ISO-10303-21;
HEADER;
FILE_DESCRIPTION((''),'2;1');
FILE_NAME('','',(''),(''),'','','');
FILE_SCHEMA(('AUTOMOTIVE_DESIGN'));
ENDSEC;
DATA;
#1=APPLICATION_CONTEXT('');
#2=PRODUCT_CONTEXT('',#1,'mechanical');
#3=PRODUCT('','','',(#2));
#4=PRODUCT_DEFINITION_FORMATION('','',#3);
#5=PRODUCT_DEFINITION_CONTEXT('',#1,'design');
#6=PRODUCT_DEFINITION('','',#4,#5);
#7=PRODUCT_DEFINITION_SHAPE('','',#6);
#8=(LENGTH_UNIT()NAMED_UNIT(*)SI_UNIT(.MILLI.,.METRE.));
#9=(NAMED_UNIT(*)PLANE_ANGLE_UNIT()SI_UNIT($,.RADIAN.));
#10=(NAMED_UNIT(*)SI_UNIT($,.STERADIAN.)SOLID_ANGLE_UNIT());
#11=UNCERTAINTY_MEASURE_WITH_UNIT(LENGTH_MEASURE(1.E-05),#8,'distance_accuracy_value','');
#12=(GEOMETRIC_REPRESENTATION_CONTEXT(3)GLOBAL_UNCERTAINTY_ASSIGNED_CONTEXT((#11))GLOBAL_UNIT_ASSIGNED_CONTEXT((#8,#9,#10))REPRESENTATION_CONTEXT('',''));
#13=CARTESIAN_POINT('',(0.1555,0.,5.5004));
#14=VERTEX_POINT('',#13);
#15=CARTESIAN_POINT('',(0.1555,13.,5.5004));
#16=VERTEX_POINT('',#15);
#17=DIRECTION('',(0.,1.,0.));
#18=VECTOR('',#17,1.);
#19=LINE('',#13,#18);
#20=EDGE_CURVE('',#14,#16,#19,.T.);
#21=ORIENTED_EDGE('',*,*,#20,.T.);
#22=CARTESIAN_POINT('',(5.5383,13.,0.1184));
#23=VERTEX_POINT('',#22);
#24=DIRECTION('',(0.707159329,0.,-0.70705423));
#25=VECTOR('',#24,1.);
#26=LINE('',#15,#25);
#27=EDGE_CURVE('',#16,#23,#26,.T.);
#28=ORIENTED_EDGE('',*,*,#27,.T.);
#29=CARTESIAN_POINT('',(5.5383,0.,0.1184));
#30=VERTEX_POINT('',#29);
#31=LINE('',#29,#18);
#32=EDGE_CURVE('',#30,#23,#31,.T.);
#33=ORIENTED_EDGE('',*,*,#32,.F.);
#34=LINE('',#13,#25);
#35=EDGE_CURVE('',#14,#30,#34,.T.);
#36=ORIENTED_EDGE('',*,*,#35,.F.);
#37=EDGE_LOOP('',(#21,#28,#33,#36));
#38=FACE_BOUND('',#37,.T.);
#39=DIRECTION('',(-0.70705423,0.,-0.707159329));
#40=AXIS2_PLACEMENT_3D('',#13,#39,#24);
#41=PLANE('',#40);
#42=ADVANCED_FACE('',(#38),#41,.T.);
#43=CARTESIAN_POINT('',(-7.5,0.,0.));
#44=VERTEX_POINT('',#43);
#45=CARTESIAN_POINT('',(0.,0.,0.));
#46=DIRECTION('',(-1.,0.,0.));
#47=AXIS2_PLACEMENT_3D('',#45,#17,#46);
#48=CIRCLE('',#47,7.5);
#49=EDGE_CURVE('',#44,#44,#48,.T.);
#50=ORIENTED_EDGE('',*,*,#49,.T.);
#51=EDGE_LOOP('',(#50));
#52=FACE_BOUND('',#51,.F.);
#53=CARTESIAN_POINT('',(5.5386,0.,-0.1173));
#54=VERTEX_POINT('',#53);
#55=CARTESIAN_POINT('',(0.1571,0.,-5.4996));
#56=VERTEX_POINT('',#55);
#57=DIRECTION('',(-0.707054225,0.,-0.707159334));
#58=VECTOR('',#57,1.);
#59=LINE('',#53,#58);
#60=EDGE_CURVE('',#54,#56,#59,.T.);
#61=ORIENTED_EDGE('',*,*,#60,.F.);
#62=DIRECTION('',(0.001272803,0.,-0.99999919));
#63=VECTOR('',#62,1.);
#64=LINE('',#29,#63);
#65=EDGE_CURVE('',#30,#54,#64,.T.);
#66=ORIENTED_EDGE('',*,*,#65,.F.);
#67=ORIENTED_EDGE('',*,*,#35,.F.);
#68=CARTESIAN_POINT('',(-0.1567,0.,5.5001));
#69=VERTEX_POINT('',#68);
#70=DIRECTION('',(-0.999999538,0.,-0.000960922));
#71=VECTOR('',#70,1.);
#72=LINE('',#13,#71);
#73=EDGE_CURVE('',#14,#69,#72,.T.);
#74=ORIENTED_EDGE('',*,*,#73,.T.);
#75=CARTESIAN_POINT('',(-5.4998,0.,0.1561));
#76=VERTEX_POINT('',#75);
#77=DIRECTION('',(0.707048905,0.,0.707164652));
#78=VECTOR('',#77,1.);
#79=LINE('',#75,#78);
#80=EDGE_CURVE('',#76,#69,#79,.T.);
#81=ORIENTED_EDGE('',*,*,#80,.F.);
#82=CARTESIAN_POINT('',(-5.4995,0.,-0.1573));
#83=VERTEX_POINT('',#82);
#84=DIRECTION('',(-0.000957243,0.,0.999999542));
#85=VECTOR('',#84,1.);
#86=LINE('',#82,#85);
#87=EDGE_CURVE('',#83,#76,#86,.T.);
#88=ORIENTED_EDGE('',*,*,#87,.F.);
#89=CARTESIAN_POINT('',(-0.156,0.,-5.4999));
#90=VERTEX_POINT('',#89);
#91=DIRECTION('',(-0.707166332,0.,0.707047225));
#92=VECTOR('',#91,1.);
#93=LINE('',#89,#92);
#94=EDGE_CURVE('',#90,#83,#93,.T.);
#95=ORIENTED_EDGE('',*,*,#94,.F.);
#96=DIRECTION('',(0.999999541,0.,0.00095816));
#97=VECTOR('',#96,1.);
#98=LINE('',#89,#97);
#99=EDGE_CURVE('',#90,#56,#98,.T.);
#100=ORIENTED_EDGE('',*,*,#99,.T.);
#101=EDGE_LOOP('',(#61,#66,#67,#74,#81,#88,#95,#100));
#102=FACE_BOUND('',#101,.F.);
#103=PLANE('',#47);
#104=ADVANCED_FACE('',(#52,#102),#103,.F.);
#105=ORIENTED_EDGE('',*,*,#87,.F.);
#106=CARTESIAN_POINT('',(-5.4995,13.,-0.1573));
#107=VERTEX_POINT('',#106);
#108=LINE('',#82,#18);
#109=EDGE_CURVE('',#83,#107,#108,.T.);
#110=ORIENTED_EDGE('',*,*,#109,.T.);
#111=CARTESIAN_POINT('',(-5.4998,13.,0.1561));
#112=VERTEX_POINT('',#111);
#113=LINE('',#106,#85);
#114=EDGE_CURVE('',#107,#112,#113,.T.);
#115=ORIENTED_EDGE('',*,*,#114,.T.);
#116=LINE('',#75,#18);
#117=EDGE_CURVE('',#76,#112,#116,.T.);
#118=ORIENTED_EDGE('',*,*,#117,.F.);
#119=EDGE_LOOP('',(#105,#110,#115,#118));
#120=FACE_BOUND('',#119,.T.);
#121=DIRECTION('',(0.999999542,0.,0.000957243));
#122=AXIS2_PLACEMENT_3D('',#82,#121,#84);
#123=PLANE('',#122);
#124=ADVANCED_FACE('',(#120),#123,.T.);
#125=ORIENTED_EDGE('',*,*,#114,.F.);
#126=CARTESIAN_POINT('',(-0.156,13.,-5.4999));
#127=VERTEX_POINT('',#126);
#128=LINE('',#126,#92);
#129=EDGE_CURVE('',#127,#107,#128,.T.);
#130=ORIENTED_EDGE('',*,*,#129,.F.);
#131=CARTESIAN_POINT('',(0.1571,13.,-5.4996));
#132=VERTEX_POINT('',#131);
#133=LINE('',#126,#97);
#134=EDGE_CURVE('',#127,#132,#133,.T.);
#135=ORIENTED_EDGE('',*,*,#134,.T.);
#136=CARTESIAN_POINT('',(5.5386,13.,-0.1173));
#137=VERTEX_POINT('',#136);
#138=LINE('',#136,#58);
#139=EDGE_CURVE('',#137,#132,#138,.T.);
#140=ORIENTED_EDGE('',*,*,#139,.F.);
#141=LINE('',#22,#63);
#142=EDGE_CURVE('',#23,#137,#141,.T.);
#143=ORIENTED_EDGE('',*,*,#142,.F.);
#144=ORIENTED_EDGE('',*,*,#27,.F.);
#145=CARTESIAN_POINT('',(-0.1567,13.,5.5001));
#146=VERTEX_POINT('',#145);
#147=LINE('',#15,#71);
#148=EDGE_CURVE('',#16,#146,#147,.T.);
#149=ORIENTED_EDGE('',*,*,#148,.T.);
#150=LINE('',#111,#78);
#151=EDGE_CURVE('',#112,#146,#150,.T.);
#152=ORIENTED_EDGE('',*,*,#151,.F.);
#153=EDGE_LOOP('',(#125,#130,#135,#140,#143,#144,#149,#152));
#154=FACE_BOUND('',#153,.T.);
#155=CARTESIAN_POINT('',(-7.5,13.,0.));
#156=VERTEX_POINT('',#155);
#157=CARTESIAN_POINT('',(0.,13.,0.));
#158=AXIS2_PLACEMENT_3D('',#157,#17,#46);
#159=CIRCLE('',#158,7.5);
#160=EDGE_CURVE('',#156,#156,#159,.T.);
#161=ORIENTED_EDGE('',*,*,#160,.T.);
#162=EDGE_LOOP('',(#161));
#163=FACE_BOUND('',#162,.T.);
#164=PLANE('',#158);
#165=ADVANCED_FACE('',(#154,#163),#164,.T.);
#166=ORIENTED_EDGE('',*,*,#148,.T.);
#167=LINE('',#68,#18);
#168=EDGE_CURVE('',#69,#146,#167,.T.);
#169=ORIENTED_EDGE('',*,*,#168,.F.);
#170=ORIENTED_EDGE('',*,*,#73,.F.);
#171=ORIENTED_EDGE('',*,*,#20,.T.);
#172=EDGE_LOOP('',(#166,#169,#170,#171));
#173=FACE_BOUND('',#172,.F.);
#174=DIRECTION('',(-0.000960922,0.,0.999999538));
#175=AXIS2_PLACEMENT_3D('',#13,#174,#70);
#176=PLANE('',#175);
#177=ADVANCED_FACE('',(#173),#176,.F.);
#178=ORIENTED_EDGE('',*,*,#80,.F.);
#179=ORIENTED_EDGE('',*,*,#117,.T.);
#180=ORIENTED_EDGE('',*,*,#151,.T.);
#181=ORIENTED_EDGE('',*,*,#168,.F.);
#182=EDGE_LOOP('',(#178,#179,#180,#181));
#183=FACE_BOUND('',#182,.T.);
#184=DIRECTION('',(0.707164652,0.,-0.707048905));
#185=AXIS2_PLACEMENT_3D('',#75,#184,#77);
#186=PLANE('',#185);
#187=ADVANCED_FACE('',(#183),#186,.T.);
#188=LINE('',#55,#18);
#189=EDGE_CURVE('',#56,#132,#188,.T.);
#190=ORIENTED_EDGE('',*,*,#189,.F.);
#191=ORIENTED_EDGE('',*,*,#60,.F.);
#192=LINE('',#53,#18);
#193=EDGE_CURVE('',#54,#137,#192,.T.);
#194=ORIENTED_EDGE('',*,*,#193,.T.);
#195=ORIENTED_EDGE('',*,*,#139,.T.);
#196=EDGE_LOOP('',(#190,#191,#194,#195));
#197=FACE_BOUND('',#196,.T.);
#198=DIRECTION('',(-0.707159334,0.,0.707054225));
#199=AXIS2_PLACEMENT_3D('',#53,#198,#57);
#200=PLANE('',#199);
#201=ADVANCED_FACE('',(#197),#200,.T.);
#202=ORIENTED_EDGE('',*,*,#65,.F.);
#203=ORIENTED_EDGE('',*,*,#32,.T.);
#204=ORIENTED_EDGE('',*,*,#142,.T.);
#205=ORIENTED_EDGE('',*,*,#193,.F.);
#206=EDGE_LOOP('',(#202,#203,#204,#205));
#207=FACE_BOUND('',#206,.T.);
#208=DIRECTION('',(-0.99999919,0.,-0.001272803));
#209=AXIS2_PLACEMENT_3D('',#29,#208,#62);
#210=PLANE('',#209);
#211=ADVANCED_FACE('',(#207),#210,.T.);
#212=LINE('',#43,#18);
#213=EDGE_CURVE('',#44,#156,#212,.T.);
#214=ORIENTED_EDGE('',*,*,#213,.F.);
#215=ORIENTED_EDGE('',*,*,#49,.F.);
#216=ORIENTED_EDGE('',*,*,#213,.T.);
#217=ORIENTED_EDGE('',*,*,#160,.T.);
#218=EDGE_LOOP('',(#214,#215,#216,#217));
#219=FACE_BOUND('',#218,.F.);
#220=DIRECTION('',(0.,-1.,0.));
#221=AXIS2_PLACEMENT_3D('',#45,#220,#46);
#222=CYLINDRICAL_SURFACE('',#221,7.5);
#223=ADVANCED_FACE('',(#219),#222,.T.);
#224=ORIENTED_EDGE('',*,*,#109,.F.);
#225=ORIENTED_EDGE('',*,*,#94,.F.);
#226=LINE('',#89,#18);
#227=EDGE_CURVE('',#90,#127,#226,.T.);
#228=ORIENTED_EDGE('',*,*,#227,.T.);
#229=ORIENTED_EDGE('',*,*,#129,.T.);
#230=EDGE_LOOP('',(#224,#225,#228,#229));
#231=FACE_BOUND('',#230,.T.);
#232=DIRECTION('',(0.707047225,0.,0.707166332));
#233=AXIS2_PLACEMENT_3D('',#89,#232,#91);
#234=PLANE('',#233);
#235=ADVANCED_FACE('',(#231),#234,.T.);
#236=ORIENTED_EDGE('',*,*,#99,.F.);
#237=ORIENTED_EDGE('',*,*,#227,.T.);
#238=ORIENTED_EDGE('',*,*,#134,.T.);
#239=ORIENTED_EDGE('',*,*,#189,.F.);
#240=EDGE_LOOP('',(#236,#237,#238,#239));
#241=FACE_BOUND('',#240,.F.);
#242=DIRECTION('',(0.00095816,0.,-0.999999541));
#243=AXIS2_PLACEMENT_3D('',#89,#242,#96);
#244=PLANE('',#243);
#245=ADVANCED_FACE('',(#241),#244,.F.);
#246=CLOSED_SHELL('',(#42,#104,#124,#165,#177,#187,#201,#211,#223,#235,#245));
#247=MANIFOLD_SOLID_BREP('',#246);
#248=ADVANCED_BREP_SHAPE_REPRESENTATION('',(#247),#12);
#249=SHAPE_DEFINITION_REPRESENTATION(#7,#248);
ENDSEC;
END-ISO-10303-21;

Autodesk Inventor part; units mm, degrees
ref_plane "YZ Plane" through (0, 0, 0) normal (1, 0, 0) x (0, 1, 0)
ref_plane "XZ Plane" through (0, 0, 0) normal (0, 1, 0) x (-1, 0, 0)
ref_plane "XY Plane" through (0, 0, 0) normal (0, 0, 1) x (1, 0, 0)
sketch "Эскиз1" plane through (0, 0, 0) normal (0, 1, 0) x (-1, 0, 0)
  line L0 (-0.1311, -5.5) -> (-5.5, -0.1311)
  line L1 (-5.5, 0.1311) -> (-0.1311, 5.5)
  line L2 (0.1311, 5.5) -> (5.5001, 0.131)
  line L3 (5.5001, -0.131) -> (0.1311, -5.5)
  line L4 (-5.5, 0.131) -> (-5.5, -0.1311)
  line L5 (5.5001, 0.131) -> (5.5001, -0.131)
  line L6 (-0.131, 5.5) -> (0.1311, 5.5)
  line L7 (0.1311, -5.5) -> (-0.1311, -5.5)
  circle A0 centre (0, 0) radius 7.5
extrude "Выдавливание1" add sketch "Эскиз1" along normal blind 13 contours L0 L4 L1 L6 L2 L5 L3 L7 | A0
sketch "Эскиз2" plane through (0, 0, 0) normal (0, -1, 0) x (1, 0, 0)
  circle A0 centre (0, 0) radius 7.5 projected
  line L0 (0.1555, 5.5004) -> (5.5383, 0.1184)
  line L1 (5.5386, -0.1173) -> (0.1571, -5.4996)
  line L2 (-0.156, -5.4999) -> (-5.4995, -0.1573)
  line L3 (-5.4998, 0.1561) -> (-0.0021, 5.6547)
  line L4 (5.5383, 0.1184) -> (5.5386, -0.1173)
  line L5 (-5.4995, -0.1573) -> (-5.4998, 0.1561)
  line L6 (0.1555, 5.5004) -> (-0.1567, 5.5001)
  line L7 (-0.156, -5.4999) -> (0.1571, -5.4996)
  dimension "d4" = 8
  dimension "d5" = 11
extrude "Выдавливание2" cut sketch "Эскиз2" against normal blind 13 contours L0 L4 L1 L7 L2 L5 L3 L6
